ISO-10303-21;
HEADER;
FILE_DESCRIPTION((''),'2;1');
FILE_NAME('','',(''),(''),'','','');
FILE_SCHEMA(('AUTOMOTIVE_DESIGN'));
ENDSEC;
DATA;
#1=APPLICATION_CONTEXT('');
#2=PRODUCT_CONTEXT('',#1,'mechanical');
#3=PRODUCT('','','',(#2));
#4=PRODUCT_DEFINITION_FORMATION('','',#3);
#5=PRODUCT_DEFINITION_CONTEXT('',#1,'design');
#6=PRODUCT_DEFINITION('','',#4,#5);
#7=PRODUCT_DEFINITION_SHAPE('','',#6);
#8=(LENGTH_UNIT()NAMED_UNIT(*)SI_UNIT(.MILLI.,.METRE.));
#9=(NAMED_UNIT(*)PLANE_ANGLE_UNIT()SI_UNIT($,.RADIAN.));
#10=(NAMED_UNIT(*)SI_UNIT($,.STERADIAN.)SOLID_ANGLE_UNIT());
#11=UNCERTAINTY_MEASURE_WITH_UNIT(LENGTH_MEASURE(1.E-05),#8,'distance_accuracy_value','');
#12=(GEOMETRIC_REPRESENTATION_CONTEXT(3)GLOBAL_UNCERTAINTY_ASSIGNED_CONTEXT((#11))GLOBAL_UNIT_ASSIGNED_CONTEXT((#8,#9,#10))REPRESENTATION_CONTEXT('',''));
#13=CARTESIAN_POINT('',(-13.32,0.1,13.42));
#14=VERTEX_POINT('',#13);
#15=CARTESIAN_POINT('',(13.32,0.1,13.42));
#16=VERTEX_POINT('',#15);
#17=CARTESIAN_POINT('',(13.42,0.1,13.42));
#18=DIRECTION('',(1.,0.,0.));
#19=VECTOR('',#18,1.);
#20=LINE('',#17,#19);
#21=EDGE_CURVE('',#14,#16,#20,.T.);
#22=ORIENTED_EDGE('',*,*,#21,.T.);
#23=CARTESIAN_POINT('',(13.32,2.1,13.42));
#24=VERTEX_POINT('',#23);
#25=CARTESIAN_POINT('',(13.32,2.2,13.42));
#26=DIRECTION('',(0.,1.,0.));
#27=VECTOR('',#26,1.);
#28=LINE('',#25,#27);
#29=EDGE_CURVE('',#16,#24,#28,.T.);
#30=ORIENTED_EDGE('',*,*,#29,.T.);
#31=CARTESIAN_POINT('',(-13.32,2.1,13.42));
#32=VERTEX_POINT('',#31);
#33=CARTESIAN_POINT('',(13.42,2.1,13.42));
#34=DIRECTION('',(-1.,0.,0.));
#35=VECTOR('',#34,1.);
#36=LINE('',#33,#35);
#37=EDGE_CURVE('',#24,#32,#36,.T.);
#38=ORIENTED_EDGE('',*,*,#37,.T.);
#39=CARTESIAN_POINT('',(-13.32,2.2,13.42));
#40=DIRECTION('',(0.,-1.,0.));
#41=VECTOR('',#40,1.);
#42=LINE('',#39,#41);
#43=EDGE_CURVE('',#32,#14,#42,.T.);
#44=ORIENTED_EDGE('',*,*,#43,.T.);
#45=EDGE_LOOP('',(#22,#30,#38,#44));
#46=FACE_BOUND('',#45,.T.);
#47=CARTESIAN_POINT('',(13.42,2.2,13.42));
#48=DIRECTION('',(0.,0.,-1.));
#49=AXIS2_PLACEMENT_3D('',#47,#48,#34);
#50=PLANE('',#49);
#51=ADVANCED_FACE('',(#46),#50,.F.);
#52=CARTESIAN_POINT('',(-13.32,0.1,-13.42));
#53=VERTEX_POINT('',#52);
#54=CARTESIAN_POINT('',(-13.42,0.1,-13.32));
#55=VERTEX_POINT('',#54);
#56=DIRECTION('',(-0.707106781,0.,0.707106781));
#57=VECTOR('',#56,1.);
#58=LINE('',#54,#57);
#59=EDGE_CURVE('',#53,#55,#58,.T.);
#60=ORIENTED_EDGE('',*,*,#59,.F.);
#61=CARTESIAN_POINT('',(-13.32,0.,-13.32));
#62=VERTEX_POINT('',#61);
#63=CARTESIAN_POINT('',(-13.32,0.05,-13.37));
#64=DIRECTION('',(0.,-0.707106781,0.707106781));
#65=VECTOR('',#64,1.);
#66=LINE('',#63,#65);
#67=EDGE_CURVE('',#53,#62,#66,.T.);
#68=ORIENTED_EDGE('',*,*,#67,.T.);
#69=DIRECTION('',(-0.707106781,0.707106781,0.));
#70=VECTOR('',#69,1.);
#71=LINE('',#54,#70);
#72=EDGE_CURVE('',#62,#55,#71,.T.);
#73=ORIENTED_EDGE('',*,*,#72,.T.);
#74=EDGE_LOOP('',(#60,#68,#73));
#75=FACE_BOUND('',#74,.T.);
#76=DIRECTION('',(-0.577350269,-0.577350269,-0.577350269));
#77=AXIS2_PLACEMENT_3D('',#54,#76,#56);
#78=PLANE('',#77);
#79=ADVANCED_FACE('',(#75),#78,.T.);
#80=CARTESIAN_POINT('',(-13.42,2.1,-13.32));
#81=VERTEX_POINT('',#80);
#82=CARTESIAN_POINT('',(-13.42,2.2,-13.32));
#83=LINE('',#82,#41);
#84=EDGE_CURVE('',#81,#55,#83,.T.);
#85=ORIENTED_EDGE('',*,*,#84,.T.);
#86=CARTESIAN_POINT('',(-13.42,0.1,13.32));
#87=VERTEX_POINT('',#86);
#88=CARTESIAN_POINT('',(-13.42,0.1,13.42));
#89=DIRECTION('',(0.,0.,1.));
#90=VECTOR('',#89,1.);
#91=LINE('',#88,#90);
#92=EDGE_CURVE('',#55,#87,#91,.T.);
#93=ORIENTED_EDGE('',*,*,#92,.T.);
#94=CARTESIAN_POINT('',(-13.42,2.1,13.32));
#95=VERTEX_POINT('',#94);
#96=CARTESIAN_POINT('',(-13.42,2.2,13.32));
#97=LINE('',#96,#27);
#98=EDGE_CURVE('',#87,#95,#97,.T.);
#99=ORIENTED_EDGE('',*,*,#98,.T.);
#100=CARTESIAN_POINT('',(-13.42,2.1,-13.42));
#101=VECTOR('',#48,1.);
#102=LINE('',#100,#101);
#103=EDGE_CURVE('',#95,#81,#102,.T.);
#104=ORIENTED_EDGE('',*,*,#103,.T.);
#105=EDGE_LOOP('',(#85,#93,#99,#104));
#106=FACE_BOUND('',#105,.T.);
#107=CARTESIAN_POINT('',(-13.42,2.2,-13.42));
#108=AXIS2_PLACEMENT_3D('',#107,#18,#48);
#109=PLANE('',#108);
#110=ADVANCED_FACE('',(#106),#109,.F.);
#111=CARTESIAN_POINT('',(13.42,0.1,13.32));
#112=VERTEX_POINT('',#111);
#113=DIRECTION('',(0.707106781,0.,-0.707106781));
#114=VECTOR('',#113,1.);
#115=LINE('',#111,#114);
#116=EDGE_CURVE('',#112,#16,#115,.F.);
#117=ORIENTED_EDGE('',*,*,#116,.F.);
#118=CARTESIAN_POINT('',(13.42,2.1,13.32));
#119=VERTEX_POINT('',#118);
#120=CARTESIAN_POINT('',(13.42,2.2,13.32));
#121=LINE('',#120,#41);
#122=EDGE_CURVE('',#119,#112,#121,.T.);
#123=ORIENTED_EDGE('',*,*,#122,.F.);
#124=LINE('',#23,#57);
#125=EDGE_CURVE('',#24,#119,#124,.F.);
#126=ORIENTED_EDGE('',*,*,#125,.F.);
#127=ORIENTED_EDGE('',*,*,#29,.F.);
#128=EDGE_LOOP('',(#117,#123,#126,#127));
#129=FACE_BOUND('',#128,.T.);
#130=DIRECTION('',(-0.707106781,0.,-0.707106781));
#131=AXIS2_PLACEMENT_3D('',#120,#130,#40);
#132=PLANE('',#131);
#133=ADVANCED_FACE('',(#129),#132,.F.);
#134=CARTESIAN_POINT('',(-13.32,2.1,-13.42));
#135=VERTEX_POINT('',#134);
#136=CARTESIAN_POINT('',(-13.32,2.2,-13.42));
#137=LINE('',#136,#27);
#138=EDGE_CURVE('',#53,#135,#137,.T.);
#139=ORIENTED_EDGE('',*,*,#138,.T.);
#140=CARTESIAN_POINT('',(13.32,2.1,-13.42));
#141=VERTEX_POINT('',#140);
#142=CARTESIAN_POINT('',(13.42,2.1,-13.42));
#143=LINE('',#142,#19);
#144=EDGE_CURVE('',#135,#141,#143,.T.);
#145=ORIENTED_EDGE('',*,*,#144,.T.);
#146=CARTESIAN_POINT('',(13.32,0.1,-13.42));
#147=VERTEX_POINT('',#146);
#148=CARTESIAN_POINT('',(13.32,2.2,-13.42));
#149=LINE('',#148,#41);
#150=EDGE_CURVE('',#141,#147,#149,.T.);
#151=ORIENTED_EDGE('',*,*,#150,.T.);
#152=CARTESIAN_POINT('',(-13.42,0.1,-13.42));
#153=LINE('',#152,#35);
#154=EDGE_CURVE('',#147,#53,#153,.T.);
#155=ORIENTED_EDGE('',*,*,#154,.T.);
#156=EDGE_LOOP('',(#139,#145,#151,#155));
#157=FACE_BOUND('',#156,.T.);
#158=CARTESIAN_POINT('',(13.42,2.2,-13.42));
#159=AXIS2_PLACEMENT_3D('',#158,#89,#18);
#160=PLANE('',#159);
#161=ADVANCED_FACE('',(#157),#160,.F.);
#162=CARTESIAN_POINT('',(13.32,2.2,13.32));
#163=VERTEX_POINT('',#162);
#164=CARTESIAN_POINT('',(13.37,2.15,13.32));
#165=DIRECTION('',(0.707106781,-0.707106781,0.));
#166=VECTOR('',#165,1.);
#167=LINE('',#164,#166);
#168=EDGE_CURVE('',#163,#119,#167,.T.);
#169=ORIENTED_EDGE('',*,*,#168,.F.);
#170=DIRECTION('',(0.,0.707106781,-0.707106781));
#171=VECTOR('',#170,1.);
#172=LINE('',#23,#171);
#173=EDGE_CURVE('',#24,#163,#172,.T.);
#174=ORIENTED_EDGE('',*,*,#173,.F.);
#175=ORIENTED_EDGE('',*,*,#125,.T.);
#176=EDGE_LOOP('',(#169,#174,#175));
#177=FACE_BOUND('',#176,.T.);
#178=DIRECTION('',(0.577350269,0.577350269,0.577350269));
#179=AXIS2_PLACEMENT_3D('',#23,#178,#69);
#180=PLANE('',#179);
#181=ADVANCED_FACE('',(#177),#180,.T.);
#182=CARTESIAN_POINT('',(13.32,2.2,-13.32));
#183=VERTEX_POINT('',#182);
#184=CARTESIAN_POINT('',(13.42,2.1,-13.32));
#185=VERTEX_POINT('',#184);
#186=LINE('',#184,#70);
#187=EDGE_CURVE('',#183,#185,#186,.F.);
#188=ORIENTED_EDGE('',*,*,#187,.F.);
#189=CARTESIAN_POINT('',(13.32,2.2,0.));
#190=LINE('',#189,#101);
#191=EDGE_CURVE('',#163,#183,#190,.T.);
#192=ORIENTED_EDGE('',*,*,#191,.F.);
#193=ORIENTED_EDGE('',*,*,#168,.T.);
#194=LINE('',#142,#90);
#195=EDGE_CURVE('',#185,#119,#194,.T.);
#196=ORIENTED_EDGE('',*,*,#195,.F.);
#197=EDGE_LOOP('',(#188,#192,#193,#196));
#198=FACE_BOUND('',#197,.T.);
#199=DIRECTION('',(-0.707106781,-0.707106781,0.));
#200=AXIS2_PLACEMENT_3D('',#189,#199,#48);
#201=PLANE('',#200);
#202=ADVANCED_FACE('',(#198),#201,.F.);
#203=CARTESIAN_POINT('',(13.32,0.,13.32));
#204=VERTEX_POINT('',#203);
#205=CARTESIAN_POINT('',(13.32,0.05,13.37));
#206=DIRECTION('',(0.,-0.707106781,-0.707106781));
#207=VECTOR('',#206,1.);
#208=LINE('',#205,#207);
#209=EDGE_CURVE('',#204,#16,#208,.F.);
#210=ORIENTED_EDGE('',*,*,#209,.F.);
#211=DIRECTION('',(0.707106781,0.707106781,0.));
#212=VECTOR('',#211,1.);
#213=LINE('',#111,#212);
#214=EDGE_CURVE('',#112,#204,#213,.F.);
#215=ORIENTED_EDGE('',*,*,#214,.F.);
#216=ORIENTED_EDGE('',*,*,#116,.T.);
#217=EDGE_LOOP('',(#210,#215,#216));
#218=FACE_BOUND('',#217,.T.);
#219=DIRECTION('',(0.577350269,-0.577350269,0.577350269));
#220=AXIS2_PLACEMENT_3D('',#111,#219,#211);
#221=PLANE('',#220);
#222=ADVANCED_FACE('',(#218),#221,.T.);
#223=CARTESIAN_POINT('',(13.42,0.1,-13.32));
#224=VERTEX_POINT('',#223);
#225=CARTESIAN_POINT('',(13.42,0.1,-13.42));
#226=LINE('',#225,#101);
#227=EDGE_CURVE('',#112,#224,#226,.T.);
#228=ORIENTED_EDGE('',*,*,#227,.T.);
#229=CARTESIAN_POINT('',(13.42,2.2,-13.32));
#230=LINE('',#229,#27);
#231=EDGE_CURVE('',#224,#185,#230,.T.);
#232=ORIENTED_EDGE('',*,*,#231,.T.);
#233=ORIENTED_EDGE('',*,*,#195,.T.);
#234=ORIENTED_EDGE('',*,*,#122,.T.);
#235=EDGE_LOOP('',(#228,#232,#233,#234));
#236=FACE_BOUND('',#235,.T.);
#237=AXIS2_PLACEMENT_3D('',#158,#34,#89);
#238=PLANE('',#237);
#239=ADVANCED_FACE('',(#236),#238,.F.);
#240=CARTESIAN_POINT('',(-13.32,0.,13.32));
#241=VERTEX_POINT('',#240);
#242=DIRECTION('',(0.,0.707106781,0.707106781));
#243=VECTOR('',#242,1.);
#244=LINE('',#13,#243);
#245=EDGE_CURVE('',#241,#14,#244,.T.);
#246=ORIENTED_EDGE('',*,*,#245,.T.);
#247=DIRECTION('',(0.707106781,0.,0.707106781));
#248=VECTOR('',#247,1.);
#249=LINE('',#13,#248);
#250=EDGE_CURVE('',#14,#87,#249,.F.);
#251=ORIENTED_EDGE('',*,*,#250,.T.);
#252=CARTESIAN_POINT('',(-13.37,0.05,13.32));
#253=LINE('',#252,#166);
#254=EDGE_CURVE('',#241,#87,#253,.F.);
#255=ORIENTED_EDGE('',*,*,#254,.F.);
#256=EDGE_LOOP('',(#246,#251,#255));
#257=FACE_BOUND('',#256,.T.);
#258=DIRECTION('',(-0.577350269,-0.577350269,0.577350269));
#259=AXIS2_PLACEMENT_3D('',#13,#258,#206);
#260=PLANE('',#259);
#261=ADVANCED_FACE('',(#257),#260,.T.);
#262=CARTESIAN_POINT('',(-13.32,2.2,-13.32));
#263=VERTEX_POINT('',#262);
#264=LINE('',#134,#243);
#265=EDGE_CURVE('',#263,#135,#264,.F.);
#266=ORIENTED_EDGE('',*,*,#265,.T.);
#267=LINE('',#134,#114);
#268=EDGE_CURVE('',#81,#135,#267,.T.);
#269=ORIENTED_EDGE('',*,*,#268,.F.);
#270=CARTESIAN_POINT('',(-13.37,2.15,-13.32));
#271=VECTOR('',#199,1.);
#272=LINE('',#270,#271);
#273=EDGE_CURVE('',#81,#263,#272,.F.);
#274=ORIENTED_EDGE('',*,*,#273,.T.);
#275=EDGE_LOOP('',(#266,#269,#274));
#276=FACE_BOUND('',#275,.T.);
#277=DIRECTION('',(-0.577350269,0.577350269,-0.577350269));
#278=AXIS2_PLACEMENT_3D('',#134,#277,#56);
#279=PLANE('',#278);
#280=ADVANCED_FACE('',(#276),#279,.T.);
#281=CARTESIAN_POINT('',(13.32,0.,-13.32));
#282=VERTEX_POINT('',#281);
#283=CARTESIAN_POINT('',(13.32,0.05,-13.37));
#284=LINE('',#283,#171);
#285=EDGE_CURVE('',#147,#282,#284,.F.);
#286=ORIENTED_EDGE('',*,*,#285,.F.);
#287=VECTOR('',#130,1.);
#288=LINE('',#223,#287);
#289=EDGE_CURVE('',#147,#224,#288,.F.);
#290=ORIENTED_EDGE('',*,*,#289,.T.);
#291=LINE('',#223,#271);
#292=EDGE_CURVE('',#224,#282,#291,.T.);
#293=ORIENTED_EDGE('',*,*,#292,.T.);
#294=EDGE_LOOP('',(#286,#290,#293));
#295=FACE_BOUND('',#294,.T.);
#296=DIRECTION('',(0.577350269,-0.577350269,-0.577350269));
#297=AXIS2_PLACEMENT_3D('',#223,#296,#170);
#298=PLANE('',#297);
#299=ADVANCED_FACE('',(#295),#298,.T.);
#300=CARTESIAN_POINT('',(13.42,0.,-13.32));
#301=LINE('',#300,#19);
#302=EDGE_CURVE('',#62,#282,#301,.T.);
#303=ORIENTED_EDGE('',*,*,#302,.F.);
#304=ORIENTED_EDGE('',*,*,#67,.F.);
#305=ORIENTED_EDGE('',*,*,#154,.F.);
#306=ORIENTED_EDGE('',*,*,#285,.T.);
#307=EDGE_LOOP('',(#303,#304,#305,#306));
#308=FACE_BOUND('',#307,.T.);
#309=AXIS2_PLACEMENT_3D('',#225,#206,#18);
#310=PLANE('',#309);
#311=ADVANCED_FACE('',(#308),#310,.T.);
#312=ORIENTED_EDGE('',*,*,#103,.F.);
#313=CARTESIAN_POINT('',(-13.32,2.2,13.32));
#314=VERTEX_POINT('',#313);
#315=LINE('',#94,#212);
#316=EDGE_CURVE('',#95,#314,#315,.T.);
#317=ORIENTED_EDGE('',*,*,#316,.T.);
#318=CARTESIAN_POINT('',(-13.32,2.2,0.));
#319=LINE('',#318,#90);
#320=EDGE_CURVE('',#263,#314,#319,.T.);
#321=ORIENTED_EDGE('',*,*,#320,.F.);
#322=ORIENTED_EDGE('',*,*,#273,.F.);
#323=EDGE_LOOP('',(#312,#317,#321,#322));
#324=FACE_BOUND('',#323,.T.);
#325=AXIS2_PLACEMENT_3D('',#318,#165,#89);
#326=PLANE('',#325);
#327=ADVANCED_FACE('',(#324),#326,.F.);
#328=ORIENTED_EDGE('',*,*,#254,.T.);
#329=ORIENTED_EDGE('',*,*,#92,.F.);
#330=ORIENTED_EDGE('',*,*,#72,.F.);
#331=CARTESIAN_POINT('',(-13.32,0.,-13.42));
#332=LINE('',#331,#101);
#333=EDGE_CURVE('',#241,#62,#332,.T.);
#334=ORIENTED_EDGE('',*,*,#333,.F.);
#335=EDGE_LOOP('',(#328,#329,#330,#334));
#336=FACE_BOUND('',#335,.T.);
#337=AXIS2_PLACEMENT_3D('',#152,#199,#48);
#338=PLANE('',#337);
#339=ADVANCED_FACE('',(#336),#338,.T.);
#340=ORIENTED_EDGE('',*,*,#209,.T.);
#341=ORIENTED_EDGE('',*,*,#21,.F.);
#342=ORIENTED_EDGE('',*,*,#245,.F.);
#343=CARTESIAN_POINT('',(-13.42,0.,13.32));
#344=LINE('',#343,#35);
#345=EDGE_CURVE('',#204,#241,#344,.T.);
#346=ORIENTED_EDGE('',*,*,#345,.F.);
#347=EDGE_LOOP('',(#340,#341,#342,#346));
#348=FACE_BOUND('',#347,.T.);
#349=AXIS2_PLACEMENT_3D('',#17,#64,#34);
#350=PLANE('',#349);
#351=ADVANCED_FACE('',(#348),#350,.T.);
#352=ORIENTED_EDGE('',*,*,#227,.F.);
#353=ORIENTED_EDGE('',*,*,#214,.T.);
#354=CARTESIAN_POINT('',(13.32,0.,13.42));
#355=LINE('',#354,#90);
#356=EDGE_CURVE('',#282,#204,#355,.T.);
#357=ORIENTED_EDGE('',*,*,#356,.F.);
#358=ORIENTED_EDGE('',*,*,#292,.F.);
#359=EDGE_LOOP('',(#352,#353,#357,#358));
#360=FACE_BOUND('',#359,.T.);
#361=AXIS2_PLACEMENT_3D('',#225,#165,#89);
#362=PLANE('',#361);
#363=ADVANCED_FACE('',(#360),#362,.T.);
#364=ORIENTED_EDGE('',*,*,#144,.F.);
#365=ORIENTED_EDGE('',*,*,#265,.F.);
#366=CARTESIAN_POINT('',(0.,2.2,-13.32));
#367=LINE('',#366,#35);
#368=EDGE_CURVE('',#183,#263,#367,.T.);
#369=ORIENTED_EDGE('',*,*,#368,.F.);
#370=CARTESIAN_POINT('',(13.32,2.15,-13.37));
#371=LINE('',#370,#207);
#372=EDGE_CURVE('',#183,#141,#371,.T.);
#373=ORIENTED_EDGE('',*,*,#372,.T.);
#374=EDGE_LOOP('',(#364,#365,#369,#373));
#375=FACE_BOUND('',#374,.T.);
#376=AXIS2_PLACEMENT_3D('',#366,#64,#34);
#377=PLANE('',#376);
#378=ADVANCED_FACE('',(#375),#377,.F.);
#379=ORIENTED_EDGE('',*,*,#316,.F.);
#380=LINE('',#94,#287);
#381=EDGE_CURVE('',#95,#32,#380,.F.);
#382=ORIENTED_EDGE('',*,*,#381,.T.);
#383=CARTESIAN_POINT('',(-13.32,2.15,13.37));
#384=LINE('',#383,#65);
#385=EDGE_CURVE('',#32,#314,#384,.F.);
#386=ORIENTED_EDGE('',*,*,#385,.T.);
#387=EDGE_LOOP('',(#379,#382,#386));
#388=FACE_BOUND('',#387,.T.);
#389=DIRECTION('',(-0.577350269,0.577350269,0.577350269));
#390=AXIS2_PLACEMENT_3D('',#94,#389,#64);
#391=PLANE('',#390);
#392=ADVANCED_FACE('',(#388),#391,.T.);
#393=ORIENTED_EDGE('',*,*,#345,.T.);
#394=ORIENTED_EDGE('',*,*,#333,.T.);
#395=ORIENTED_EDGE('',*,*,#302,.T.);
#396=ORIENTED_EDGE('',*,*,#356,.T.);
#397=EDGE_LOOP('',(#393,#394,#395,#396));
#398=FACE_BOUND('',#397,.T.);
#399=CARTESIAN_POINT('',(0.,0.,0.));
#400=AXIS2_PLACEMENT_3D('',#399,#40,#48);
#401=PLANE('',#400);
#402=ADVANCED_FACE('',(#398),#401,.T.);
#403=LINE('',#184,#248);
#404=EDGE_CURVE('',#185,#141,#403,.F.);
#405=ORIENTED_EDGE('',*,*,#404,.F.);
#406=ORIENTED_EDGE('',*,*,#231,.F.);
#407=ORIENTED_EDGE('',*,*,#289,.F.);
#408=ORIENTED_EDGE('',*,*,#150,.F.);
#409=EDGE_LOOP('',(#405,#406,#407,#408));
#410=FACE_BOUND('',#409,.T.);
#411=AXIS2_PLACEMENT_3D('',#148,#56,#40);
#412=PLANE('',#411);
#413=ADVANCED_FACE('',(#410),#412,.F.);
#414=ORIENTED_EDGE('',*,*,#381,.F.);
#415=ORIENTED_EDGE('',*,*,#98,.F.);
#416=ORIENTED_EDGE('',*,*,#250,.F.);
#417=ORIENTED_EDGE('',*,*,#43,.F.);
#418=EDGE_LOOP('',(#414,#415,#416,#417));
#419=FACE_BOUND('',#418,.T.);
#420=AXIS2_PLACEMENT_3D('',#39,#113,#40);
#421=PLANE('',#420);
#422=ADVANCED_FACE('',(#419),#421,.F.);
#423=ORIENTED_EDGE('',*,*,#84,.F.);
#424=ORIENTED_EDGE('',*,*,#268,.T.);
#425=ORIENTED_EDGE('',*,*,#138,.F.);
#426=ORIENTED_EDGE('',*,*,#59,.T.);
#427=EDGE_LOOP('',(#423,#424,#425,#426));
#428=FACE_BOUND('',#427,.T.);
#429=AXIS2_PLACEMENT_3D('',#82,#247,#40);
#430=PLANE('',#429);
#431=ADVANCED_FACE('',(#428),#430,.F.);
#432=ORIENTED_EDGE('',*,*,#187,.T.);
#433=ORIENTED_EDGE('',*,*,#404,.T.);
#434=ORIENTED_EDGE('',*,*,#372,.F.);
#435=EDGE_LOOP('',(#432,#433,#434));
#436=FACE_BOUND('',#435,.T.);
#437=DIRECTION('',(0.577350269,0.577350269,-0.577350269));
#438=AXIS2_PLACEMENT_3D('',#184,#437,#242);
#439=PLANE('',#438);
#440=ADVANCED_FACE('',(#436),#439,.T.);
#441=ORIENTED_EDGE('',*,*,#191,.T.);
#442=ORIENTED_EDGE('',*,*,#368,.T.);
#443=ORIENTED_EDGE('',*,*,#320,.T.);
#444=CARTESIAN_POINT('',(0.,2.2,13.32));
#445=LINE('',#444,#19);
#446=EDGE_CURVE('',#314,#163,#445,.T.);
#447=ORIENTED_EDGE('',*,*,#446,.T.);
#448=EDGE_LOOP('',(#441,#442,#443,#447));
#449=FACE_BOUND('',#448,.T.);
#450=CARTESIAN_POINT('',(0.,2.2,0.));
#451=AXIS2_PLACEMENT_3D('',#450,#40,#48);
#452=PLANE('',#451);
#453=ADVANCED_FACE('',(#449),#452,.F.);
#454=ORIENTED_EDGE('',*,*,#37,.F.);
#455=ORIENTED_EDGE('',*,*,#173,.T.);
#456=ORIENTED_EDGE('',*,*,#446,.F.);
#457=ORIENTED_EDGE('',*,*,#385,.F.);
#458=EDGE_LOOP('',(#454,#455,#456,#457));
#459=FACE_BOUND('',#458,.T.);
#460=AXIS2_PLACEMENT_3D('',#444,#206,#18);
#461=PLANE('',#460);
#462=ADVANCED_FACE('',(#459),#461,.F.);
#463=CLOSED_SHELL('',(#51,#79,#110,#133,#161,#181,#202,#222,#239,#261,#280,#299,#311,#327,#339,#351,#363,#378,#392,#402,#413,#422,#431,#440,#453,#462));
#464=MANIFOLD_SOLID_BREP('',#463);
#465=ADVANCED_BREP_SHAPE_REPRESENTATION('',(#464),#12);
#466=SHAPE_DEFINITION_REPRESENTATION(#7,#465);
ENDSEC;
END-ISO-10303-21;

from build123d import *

# Parameters (mm, degrees)
SKETCH1_W           = 26.84
SKETCH1_H           = 26.84
BOSS_EXTRUDE1_DEPTH = 2.2
CHAMFER1_SIZE       = 0.1


with BuildPart() as part:
    # Sketch1 → Boss-Extrude1 (new body)
    with BuildSketch(Plane(origin=(0, 0, 0), x_dir=(1, 0, 0), z_dir=(0, 1, 0))):
        Rectangle(SKETCH1_W, SKETCH1_H)
    extrude(amount=BOSS_EXTRUDE1_DEPTH)

    # Chamfer1
    chamfer1_edges = [part.edges().sort_by_distance(p)[0] for p in [
        (13.42, 2.2, 0),
        (0, 2.2, -13.42),
        (-13.42, 2.2, 0),
        (0, 0, -13.42),
        (13.42, 0, 0),
        (0, 0, 13.42),
        (-13.42, 0, 0),
        (-13.42, 1.1, -13.42),
        (13.42, 1.1, -13.42),
        (13.42, 1.1, 13.42),
        (-13.42, 1.1, 13.42),
        (0, 2.2, 13.42),
    ]]
    chamfer(chamfer1_edges, length=CHAMFER1_SIZE)


solid = part.part
